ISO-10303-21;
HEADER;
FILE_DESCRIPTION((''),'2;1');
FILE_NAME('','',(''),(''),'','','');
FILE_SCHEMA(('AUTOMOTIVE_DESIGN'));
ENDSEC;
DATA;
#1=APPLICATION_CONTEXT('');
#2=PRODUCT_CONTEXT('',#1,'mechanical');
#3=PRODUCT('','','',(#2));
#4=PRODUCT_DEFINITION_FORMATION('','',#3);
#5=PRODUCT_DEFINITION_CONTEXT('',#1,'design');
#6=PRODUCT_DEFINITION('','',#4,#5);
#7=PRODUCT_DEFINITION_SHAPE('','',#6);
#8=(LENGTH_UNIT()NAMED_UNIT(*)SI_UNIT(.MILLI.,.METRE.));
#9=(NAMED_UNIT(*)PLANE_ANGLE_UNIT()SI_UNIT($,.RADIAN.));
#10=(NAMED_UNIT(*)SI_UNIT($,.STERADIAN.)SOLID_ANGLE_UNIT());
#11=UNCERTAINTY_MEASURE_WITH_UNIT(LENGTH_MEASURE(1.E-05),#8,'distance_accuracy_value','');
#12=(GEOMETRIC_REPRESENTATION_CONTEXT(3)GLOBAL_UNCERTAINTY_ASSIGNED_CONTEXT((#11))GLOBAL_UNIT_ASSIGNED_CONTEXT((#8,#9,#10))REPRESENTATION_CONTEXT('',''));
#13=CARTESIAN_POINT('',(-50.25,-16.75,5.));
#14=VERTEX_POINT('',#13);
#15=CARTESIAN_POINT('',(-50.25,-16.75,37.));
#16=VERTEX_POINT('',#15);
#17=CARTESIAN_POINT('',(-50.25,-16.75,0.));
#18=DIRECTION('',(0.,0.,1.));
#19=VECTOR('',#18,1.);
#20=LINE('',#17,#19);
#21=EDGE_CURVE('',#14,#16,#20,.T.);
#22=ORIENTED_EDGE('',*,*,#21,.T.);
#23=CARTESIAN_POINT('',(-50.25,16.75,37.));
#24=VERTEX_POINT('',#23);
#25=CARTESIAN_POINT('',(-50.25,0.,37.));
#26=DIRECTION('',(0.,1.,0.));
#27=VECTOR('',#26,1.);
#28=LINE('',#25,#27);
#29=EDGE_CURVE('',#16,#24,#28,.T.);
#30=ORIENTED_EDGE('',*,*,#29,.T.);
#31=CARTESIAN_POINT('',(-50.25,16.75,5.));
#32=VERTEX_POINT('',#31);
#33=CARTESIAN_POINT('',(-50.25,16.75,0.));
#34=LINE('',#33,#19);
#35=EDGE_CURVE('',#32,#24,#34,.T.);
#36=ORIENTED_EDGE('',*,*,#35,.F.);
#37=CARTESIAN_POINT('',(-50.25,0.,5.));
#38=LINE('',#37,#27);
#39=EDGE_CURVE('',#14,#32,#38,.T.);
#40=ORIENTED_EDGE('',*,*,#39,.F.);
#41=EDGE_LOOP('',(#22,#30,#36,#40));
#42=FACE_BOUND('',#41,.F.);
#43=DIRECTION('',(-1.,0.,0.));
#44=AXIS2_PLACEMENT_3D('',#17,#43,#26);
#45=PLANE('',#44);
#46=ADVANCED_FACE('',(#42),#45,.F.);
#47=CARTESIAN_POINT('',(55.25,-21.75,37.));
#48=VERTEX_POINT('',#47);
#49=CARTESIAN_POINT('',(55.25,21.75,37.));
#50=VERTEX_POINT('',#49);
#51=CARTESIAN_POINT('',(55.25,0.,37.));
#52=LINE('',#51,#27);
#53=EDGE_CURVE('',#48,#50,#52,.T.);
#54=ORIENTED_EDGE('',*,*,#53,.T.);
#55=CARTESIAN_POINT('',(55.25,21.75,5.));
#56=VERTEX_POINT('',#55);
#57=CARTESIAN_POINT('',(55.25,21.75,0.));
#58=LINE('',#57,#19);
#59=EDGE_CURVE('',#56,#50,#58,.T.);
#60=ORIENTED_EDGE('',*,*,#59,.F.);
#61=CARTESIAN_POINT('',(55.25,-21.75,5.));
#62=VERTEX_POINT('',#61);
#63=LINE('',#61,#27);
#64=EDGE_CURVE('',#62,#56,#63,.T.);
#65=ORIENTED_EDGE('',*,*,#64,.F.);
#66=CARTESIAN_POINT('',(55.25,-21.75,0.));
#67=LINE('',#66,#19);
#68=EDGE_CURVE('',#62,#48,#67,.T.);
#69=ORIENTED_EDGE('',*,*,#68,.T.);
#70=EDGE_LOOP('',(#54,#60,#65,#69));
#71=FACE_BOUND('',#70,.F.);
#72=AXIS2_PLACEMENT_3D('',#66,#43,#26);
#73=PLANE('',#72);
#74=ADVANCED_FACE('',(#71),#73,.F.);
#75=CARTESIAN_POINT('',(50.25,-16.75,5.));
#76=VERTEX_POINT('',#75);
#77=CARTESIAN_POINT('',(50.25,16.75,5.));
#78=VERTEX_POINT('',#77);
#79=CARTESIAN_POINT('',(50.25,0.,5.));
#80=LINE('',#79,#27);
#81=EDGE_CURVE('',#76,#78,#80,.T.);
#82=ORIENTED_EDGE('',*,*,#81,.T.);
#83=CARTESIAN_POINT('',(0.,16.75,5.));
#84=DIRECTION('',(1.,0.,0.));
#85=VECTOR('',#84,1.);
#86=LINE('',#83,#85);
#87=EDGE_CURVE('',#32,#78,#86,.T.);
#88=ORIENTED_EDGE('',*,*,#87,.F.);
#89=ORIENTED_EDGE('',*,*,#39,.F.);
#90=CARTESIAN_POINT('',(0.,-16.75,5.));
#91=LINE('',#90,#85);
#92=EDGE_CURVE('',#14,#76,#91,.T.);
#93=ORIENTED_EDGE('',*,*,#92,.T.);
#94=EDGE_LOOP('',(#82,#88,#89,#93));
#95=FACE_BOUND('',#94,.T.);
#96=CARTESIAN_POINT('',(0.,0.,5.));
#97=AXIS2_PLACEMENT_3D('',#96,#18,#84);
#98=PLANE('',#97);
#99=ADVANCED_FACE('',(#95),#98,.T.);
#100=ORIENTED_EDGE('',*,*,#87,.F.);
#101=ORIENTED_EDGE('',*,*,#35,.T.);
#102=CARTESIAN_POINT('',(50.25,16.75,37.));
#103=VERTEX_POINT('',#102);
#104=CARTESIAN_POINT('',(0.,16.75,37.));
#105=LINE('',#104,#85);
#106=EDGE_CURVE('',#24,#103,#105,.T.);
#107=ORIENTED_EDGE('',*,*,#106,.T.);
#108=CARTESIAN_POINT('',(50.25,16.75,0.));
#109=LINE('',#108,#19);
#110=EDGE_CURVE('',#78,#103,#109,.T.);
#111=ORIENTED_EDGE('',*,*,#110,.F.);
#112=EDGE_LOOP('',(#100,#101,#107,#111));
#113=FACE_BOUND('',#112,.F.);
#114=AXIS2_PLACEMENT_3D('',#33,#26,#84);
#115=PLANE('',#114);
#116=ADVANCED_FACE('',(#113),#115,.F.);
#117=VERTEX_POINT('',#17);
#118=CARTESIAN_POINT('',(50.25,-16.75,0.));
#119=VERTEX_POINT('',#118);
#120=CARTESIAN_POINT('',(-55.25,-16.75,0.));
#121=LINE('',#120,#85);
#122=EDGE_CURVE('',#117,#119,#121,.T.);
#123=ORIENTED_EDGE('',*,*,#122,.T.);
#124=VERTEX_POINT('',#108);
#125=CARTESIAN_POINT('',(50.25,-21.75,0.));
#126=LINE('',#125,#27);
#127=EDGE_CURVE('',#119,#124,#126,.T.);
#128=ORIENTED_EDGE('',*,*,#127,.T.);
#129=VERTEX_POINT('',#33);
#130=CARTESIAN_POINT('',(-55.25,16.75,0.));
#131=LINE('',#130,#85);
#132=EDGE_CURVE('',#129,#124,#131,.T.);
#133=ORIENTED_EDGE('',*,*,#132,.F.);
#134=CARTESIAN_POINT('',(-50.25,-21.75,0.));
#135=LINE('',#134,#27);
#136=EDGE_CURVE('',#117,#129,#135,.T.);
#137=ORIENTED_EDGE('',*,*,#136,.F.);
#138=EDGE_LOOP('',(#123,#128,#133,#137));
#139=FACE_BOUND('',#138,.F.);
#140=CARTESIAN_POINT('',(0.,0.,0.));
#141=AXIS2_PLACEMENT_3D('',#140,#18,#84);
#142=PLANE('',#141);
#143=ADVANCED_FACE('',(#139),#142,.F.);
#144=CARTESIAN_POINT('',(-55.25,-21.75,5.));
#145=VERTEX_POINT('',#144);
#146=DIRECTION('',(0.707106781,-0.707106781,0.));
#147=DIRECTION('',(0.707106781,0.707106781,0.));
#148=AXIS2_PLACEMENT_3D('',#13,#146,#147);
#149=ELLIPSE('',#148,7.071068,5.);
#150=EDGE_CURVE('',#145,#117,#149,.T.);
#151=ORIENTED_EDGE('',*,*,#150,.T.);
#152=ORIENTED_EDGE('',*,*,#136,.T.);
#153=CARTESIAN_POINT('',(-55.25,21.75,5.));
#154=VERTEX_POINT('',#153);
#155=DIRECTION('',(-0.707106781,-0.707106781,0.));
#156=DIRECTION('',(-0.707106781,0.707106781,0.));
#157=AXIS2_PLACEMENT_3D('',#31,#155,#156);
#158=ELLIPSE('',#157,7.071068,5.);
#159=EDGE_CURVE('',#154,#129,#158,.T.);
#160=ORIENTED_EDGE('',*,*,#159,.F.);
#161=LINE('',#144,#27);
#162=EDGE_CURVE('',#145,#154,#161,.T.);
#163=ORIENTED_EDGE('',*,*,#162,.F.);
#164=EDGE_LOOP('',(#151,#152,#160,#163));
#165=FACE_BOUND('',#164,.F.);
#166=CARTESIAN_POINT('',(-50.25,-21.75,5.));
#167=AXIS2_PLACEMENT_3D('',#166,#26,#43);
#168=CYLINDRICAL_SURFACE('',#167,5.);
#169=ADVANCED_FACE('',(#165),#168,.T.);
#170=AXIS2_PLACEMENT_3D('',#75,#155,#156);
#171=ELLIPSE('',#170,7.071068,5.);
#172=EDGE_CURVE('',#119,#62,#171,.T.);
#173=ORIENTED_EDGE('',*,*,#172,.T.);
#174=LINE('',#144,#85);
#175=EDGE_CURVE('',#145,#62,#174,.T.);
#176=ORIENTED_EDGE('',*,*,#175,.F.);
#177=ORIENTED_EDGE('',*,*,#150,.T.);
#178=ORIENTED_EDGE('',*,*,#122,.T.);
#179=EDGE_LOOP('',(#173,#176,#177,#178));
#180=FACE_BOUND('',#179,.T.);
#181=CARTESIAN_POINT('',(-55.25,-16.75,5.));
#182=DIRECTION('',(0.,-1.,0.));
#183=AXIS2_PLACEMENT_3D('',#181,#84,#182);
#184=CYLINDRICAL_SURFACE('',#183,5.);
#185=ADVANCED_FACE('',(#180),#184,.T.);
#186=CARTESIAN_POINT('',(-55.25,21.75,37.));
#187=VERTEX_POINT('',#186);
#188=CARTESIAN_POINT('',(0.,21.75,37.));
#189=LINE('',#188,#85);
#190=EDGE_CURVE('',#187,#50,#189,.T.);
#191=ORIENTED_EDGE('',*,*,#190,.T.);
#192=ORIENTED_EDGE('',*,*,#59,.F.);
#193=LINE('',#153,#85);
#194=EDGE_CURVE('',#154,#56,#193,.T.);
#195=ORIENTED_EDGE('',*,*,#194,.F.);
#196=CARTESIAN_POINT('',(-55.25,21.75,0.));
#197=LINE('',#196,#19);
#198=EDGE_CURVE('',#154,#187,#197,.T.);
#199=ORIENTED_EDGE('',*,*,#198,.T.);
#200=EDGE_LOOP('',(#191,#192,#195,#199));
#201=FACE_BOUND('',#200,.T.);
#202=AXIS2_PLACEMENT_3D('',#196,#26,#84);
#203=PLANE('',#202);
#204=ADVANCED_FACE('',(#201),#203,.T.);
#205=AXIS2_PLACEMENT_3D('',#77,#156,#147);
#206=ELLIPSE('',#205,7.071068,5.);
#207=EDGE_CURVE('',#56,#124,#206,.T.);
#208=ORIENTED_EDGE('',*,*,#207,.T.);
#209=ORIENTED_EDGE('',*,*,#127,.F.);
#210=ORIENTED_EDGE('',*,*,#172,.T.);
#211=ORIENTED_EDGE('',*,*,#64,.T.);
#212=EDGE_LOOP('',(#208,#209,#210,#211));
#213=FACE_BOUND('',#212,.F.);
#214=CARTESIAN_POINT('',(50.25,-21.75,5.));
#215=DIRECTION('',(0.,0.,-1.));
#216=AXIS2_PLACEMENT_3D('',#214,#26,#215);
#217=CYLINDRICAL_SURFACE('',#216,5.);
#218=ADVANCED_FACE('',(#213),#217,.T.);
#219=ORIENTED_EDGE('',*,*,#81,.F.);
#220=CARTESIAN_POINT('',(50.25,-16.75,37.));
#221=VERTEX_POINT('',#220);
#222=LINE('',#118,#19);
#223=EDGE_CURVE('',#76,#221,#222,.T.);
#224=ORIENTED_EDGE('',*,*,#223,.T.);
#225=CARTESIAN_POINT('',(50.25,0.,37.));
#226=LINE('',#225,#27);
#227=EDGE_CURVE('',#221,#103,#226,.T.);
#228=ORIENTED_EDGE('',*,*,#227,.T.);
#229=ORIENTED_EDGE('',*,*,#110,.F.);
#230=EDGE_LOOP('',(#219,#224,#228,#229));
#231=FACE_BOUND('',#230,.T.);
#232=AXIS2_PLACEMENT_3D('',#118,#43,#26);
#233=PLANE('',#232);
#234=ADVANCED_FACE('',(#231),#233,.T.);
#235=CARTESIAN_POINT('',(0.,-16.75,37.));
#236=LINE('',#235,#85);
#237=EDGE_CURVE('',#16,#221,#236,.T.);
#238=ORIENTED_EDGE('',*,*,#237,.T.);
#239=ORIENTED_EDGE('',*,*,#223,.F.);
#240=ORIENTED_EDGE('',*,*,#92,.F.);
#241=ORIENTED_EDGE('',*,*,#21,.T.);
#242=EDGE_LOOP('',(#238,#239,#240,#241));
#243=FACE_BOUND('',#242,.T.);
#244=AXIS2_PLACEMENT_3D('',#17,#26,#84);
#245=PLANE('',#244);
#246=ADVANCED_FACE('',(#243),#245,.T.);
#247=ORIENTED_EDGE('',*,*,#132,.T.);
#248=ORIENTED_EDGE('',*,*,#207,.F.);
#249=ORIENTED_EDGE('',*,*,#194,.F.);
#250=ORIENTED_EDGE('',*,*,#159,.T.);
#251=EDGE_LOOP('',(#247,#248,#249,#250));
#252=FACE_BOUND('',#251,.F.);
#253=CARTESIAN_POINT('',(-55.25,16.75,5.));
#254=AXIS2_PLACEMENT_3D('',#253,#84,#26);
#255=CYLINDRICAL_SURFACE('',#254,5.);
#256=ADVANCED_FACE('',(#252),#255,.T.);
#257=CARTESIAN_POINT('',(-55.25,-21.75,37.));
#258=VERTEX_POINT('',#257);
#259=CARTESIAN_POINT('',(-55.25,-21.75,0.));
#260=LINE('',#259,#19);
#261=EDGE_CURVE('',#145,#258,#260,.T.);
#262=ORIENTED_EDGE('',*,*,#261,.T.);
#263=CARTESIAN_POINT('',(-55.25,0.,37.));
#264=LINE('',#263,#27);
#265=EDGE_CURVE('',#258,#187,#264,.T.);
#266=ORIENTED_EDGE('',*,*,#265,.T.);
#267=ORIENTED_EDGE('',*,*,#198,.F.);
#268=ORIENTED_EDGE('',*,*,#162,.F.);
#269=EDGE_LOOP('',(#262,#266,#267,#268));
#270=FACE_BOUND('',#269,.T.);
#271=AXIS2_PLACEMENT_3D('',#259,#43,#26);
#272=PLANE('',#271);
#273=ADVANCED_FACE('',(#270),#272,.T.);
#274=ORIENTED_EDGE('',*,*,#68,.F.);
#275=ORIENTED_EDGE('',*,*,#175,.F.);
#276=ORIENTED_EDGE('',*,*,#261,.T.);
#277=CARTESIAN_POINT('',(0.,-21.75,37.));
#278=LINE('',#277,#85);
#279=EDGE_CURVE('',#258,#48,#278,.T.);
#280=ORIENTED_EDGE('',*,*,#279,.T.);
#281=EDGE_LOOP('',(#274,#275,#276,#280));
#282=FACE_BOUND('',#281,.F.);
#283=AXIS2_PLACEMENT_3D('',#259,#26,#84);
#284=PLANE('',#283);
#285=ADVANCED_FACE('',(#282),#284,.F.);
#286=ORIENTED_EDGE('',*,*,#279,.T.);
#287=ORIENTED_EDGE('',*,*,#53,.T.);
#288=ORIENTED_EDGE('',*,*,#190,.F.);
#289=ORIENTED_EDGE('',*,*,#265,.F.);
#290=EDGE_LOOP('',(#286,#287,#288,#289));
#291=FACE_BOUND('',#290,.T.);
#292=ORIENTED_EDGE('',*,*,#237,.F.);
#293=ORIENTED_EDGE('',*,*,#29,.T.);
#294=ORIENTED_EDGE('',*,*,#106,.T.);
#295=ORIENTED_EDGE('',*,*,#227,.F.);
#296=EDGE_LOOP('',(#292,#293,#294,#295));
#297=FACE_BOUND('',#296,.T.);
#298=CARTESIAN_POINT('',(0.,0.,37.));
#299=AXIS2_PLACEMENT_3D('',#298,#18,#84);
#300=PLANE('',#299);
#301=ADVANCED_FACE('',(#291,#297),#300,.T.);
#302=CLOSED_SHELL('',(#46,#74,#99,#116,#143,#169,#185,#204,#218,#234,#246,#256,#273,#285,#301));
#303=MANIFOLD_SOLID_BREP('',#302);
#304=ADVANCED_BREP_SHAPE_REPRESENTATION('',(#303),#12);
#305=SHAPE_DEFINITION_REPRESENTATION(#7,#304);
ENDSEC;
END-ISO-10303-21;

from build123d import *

# Parameters (mm, degrees)
F0_W     = 100.5
F0_H     = 33.5
F1_DEPTH = 5
F0_W_2   = 110.5
F0_H_2   = 43.5
F2_DEPTH = 37
F3_R     = 5


with BuildPart() as f1:
    # F0 (on Top) → F1 (new body)
    with BuildSketch(Plane.XY):
        Rectangle(F0_W, F0_H)
    extrude(amount=F1_DEPTH)

    # F0 (on Top) → F2 (join)
    with BuildSketch(Plane.XY):
        Rectangle(F0_W_2, F0_H_2)
        Rectangle(F0_W, F0_H, mode=Mode.SUBTRACT)
    extrude(amount=F2_DEPTH)

    # F3
    f3_edges = [f1.edges().sort_by_distance(p)[0] for p in [
        (-55.25, 0, 0),
        (0, 21.75, 0),
        (55.25, 0, 0),
        (0, -21.75, 0),
    ]]
    fillet(f3_edges, radius=F3_R)


solid = f1.part
